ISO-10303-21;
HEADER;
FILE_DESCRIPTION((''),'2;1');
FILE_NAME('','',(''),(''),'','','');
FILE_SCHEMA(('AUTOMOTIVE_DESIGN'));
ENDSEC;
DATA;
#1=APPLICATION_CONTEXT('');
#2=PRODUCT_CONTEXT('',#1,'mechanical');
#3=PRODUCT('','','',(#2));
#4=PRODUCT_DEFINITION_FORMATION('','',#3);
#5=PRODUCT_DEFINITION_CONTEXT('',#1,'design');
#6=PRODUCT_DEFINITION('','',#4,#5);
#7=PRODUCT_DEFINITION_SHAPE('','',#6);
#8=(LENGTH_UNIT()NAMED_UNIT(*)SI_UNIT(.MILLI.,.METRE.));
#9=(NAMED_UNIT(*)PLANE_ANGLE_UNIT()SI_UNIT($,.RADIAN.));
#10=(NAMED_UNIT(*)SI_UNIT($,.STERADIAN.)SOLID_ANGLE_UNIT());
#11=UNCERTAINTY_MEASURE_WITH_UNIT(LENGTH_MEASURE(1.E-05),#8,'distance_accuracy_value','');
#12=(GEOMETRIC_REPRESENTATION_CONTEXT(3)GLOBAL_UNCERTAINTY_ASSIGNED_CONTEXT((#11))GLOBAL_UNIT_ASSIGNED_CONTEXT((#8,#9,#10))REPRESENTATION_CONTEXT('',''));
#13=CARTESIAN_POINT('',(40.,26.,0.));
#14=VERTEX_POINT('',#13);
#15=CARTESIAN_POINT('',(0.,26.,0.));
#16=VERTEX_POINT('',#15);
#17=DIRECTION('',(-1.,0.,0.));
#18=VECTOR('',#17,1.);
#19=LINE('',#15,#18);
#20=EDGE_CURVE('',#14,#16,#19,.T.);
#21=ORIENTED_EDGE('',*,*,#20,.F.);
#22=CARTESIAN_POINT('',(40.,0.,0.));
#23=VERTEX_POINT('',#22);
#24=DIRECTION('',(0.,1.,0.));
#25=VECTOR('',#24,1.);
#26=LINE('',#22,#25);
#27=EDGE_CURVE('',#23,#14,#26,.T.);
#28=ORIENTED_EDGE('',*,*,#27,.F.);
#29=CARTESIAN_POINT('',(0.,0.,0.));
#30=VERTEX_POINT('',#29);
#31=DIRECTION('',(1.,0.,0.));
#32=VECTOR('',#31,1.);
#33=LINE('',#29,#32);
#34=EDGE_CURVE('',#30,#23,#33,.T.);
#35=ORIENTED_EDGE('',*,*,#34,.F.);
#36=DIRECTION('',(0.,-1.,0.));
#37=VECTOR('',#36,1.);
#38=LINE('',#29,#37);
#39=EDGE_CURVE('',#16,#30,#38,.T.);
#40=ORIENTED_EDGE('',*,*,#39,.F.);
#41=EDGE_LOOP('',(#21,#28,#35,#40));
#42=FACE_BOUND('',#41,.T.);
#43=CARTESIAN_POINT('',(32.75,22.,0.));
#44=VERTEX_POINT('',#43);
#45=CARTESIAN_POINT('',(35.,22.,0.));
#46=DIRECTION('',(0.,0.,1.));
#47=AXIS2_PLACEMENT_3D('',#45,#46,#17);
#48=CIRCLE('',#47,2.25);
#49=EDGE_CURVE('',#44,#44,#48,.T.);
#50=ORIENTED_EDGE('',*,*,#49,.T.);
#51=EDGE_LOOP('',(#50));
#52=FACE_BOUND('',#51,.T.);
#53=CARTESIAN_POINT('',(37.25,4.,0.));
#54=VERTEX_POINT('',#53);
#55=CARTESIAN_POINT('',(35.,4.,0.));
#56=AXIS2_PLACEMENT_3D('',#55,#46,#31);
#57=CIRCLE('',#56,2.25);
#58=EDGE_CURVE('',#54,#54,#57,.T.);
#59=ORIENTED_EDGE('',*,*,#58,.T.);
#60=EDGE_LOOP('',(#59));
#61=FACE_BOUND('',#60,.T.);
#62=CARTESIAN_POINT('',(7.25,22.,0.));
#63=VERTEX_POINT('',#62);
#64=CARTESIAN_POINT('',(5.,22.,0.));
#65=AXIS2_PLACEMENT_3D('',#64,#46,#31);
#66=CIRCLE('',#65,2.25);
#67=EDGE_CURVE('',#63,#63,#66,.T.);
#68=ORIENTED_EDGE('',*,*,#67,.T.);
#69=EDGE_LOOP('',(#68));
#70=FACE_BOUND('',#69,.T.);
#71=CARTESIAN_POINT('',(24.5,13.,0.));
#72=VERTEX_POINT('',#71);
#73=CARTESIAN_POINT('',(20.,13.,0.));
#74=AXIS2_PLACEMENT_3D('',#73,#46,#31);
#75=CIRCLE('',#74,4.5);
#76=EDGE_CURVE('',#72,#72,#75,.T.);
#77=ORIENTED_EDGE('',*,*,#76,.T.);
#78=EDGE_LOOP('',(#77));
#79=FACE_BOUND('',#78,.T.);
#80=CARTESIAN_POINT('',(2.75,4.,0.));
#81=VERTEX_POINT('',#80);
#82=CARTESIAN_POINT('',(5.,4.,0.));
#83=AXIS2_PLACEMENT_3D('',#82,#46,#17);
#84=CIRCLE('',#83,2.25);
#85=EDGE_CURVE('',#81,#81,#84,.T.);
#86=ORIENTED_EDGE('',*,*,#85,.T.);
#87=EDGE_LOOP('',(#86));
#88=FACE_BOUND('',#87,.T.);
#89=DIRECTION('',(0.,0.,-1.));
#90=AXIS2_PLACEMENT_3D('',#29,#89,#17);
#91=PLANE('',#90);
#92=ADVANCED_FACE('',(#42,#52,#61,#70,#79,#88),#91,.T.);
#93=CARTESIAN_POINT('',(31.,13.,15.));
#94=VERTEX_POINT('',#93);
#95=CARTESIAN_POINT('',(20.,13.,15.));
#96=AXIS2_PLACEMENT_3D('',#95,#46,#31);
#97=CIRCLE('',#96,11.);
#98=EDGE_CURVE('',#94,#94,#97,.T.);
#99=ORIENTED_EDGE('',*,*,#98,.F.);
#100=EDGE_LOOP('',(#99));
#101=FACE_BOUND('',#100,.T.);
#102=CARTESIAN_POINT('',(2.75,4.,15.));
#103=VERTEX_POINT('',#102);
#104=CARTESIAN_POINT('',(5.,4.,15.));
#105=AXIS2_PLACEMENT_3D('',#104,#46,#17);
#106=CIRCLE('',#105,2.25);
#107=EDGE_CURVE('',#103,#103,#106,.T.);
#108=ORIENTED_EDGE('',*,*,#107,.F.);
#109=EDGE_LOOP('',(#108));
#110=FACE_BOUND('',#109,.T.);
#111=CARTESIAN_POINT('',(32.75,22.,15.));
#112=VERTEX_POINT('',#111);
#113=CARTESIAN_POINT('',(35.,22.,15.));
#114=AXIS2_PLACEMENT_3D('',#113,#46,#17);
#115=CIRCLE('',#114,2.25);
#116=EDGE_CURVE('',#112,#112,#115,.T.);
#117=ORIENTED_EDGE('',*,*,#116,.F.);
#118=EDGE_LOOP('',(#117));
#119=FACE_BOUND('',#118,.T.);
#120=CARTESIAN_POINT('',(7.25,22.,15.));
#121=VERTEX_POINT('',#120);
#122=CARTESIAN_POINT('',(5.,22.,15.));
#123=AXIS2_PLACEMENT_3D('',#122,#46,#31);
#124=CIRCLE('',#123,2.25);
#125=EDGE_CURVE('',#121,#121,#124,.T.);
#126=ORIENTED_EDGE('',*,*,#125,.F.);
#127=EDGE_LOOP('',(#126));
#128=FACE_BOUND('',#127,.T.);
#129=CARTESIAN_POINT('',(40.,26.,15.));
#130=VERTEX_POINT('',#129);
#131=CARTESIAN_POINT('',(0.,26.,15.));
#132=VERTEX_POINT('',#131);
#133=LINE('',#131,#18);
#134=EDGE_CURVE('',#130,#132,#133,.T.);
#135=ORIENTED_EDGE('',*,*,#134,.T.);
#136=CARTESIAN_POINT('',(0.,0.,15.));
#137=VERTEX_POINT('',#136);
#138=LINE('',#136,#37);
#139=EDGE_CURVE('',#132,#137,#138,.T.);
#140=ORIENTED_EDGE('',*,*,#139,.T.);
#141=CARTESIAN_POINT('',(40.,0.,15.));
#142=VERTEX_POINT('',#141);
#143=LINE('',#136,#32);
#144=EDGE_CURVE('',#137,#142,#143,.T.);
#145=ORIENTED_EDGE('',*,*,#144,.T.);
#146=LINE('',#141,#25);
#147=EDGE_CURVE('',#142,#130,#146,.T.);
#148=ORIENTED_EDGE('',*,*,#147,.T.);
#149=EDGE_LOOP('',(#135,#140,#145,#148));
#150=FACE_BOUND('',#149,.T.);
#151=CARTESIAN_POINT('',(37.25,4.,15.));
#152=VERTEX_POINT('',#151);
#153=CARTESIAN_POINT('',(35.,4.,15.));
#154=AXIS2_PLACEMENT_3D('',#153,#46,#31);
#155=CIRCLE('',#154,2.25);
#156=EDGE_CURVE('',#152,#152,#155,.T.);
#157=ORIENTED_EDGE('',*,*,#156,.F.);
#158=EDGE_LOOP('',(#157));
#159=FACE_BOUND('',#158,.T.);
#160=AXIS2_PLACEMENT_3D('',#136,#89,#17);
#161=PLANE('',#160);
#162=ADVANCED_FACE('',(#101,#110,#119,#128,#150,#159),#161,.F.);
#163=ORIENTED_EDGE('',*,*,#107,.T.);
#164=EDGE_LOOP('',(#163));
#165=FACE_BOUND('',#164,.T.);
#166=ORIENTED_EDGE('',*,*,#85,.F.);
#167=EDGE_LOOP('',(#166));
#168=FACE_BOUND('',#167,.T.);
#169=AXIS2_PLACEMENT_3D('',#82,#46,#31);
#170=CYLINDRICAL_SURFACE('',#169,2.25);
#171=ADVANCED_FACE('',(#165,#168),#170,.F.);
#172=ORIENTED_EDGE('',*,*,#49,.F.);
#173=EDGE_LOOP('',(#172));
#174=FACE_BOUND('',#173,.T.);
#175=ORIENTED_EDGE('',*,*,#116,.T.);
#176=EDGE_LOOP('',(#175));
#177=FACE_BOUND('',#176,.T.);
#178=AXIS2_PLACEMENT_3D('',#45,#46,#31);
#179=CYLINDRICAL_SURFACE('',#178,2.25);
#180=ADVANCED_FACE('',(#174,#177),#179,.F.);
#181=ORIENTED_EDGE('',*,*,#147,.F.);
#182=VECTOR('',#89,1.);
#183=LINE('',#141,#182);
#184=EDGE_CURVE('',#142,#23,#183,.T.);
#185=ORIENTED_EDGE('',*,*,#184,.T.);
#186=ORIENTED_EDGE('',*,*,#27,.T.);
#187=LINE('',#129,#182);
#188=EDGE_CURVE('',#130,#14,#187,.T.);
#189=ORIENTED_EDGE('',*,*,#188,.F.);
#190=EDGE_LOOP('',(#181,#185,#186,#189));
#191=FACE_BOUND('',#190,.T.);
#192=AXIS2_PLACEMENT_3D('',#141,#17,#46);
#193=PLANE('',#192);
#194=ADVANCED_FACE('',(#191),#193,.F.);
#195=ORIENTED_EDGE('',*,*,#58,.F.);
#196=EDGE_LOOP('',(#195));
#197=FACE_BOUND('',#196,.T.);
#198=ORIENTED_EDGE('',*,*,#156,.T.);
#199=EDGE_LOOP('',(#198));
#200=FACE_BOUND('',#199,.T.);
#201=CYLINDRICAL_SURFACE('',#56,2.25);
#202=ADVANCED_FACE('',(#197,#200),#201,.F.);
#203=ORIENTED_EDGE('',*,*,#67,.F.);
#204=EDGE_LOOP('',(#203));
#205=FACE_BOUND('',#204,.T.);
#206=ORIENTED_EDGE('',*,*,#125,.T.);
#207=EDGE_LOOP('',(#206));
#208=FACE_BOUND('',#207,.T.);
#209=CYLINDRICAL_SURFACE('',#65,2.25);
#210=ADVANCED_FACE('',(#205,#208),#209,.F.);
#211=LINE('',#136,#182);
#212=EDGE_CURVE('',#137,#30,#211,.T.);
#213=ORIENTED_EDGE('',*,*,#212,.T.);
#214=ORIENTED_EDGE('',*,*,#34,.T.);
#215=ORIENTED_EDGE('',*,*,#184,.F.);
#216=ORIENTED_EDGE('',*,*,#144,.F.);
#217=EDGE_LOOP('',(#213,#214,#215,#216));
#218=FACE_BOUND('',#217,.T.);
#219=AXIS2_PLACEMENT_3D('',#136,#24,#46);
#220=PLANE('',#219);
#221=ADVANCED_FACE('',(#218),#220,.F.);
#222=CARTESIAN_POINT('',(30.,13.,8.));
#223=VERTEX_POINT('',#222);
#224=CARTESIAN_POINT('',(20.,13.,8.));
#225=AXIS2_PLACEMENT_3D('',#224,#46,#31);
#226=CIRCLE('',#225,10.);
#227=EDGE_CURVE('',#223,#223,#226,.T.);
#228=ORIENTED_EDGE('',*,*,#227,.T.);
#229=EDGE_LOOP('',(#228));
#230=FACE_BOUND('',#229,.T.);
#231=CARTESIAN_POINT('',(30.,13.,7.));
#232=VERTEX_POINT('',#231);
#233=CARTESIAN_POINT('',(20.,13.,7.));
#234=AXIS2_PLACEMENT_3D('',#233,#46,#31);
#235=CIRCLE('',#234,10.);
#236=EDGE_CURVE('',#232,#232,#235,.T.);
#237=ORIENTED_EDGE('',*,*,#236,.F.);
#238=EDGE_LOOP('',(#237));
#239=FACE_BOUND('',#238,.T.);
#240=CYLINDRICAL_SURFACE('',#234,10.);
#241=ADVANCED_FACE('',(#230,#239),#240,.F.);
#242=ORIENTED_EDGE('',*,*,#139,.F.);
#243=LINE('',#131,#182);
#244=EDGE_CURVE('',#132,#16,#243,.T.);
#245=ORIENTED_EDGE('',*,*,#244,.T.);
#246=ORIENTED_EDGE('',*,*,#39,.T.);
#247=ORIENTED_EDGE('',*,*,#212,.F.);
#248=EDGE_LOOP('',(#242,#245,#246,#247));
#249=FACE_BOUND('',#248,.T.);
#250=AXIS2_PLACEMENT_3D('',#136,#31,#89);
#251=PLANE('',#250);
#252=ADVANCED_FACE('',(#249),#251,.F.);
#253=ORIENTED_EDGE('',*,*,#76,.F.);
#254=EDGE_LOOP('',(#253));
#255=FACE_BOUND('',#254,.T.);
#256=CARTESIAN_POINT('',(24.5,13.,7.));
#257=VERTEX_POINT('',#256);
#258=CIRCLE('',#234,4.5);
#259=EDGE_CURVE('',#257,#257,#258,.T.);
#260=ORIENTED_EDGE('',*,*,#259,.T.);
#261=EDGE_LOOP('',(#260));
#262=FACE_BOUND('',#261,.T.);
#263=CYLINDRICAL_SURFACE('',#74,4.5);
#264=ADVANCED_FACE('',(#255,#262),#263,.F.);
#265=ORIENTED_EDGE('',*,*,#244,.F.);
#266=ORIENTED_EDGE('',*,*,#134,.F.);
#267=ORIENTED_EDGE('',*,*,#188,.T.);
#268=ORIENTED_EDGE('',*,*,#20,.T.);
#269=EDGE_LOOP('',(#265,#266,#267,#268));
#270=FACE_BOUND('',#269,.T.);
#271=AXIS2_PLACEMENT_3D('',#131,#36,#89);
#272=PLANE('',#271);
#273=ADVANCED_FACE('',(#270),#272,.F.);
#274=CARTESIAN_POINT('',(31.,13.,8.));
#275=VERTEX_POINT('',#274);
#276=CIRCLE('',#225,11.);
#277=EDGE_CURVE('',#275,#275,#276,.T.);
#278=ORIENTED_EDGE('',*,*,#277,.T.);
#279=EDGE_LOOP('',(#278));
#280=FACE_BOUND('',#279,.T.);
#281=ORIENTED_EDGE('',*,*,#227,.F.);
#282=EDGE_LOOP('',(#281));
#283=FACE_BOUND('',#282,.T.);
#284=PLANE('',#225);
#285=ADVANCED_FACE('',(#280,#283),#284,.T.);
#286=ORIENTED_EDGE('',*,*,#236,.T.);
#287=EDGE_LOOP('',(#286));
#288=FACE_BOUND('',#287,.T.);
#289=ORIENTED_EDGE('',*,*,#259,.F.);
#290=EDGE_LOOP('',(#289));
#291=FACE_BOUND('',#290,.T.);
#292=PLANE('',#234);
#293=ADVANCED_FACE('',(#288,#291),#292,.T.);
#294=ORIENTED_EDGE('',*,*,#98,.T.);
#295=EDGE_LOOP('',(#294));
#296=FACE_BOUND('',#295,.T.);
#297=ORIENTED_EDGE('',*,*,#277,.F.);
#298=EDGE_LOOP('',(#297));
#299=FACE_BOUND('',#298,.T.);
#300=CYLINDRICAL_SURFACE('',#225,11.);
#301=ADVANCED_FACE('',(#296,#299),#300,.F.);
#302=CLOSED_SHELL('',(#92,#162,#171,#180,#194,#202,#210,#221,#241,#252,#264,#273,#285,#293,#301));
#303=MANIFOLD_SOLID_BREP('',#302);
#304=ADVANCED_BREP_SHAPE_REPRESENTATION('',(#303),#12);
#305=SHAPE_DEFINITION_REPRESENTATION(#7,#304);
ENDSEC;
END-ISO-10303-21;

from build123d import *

# Parameters (mm, degrees)
ESQUISSE1_W             = 40
ESQUISSE1_H             = 26
BOSS_EXTRU_1_DEPTH      = 15
ESQUISSE2_R             = 11
ENL_V_MAT_EXTRU_1_DEPTH = 7
ESQUISSE3_R             = 10
ENL_V_MAT_EXTRU_2_DEPTH = 1
ESQUISSE4_R             = 4.5
ENL_V_MAT_EXTRU_3_DEPTH = 7
ESQUISSE5_R             = 2.25
ENL_V_MAT_EXTRU_4_DEPTH = 51.009999


with BuildPart() as part:
    # Esquisse1 → Boss.-Extru.1 (new body)
    with BuildSketch(Plane.XY):
        with Locations((20, 13)):
            Rectangle(ESQUISSE1_W, ESQUISSE1_H)
    extrude(amount=BOSS_EXTRU_1_DEPTH)

    # Esquisse2 → Enlèv. mat.-Extru.1 (cut)
    with BuildSketch(Plane.XY.offset(15)):
        with Locations((20, 13)):
            Circle(ESQUISSE2_R)
    extrude(amount=-ENL_V_MAT_EXTRU_1_DEPTH, mode=Mode.SUBTRACT)

    # Esquisse3 → Enlèv. mat.-Extru.2 (cut)
    with BuildSketch(Plane.XY.offset(8)):
        with Locations((20, 13)):
            Circle(ESQUISSE3_R)
    extrude(amount=-ENL_V_MAT_EXTRU_2_DEPTH, mode=Mode.SUBTRACT)

    # Esquisse4 → Enlèv. mat.-Extru.3 (cut)
    with BuildSketch(Plane.XY.offset(7)):
        with Locations((20, 13)):
            Circle(ESQUISSE4_R)
    extrude(amount=-ENL_V_MAT_EXTRU_3_DEPTH, mode=Mode.SUBTRACT)

    # Esquisse5 → Enlèv. mat.-Extru.4 (cut, through all)
    with BuildSketch(Plane.XY.offset(15)):
        with Locations((5, 22)):
            Circle(ESQUISSE5_R)
        with Locations(Location((5, 4, 0), (0, 0, 180))):
            Circle(ESQUISSE5_R)
        with Locations((35, 4)):
            Circle(ESQUISSE5_R)
        with Locations(Location((35, 22, 0), (0, 0, 180))):
            Circle(ESQUISSE5_R)
    extrude(amount=-ENL_V_MAT_EXTRU_4_DEPTH, mode=Mode.SUBTRACT)


solid = part.part
